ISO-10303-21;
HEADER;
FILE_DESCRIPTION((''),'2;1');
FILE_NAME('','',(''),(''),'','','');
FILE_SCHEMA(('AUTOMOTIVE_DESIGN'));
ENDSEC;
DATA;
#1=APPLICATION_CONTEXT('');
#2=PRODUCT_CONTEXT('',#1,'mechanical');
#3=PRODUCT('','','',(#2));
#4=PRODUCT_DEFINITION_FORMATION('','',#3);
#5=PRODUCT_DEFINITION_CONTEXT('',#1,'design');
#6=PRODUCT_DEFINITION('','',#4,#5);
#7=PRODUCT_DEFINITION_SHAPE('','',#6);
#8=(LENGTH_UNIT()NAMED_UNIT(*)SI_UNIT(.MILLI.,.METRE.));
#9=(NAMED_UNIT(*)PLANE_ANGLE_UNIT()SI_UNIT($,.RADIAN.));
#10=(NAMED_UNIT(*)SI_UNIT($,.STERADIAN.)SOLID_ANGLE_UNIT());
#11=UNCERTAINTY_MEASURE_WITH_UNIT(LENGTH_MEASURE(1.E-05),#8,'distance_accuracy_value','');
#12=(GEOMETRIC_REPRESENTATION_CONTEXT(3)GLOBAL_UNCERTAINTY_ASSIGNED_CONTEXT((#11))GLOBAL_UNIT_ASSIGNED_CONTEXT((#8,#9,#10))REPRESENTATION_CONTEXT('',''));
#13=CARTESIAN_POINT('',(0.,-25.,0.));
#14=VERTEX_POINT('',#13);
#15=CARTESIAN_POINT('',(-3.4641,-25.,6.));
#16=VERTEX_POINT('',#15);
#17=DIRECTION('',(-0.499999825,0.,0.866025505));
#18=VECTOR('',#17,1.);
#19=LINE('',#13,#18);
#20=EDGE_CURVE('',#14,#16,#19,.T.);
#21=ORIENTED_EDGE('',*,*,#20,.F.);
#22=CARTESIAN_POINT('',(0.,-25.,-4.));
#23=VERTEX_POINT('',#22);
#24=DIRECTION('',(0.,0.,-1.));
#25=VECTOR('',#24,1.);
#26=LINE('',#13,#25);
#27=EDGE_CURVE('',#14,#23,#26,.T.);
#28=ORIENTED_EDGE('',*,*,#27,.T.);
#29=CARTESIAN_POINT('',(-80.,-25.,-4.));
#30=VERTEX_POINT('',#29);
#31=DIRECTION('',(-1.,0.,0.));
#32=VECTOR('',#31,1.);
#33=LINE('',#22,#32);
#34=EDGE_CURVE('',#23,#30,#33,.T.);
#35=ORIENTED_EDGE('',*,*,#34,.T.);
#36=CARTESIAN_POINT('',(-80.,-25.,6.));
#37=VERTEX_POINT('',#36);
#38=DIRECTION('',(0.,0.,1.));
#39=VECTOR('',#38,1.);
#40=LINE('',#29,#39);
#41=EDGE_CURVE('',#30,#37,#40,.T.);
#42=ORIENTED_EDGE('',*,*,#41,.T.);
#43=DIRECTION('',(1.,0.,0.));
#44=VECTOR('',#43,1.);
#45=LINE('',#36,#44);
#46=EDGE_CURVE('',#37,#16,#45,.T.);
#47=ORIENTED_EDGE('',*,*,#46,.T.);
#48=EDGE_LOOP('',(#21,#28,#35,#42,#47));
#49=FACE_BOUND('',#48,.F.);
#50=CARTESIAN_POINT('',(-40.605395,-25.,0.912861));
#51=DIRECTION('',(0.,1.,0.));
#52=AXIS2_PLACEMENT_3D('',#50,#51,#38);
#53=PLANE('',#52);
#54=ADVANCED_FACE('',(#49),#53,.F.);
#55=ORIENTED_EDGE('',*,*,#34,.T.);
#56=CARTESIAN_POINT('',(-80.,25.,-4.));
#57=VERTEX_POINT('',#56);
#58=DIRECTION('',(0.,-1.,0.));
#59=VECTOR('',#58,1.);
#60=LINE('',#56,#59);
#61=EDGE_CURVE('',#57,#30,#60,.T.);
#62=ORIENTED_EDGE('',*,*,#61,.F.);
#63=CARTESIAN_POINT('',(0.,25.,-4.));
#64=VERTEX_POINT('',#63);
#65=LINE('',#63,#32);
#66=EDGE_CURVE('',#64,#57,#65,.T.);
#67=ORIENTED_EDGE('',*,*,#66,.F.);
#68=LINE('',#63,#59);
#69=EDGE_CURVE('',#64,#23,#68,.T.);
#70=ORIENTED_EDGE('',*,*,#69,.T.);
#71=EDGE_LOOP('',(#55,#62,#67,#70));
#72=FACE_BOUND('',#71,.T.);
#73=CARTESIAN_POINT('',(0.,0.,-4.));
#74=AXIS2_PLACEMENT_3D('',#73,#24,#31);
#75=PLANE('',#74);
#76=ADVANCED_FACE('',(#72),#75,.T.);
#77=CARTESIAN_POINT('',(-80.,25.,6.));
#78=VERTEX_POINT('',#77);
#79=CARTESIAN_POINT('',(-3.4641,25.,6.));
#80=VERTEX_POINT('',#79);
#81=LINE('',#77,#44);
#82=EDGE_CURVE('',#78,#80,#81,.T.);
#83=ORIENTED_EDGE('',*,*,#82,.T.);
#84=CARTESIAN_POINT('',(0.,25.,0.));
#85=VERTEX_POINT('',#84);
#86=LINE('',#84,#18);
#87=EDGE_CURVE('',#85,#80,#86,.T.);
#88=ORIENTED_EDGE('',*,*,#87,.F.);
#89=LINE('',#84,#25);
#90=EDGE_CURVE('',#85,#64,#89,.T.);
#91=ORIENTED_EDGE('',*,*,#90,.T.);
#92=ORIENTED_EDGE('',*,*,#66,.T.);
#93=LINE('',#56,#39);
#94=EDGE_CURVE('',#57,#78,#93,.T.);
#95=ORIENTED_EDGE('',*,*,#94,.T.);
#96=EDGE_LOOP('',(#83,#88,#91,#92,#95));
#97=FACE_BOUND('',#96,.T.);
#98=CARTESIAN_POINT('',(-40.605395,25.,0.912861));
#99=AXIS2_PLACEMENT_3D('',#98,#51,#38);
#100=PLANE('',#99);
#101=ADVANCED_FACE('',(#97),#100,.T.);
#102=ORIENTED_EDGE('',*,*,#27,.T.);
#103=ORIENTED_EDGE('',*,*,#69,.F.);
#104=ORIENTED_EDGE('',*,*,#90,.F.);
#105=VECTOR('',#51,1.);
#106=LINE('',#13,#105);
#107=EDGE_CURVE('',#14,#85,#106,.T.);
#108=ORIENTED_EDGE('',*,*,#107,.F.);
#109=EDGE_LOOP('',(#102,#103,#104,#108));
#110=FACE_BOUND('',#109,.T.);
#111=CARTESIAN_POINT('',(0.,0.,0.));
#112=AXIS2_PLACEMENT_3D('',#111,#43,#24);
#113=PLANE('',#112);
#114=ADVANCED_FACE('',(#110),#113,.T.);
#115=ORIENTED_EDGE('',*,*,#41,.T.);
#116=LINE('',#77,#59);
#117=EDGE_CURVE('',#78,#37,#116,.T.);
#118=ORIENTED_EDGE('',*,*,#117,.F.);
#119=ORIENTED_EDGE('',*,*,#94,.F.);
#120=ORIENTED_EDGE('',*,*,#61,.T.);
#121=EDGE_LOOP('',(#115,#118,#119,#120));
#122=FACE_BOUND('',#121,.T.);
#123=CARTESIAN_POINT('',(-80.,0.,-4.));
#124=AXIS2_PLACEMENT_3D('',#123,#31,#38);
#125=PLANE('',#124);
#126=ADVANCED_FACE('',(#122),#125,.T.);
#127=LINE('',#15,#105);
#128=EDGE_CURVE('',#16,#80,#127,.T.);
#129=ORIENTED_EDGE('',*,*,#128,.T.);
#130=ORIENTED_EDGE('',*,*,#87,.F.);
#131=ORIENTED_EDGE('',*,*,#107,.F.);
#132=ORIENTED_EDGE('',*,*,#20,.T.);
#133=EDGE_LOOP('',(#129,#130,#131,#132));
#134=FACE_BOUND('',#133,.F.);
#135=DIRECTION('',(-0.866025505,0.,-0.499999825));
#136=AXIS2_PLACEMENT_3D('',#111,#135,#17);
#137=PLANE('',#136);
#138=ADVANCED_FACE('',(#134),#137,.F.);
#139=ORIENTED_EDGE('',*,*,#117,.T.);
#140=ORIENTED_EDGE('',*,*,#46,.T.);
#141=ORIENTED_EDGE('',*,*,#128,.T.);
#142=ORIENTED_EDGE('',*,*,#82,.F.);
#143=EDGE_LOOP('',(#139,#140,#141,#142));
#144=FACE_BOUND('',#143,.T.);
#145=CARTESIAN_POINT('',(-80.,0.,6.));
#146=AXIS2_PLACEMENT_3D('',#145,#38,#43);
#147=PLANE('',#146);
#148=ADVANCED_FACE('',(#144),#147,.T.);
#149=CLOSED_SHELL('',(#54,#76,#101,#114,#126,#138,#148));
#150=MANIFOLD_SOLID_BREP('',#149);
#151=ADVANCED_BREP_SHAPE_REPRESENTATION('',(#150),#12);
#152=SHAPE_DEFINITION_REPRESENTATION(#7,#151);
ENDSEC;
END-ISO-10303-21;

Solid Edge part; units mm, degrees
sketch "Sketch1" plane through (0, 0, 0) normal (0, -1, 0) x (1, 0, 0)
  line L0 (-80, 6) -> (-3.4641, 6)
  line L1 (0, 0) -> (-3.4641, 6)
  line L2 (0, 0) -> (0, -4)
  line L3 (0, -4) -> (-80, -4)
  line L4 (-80, -4) -> (-80, 6)
extrude "Protrusion1" add sketch "Sketch1" along normal mid plane 50
